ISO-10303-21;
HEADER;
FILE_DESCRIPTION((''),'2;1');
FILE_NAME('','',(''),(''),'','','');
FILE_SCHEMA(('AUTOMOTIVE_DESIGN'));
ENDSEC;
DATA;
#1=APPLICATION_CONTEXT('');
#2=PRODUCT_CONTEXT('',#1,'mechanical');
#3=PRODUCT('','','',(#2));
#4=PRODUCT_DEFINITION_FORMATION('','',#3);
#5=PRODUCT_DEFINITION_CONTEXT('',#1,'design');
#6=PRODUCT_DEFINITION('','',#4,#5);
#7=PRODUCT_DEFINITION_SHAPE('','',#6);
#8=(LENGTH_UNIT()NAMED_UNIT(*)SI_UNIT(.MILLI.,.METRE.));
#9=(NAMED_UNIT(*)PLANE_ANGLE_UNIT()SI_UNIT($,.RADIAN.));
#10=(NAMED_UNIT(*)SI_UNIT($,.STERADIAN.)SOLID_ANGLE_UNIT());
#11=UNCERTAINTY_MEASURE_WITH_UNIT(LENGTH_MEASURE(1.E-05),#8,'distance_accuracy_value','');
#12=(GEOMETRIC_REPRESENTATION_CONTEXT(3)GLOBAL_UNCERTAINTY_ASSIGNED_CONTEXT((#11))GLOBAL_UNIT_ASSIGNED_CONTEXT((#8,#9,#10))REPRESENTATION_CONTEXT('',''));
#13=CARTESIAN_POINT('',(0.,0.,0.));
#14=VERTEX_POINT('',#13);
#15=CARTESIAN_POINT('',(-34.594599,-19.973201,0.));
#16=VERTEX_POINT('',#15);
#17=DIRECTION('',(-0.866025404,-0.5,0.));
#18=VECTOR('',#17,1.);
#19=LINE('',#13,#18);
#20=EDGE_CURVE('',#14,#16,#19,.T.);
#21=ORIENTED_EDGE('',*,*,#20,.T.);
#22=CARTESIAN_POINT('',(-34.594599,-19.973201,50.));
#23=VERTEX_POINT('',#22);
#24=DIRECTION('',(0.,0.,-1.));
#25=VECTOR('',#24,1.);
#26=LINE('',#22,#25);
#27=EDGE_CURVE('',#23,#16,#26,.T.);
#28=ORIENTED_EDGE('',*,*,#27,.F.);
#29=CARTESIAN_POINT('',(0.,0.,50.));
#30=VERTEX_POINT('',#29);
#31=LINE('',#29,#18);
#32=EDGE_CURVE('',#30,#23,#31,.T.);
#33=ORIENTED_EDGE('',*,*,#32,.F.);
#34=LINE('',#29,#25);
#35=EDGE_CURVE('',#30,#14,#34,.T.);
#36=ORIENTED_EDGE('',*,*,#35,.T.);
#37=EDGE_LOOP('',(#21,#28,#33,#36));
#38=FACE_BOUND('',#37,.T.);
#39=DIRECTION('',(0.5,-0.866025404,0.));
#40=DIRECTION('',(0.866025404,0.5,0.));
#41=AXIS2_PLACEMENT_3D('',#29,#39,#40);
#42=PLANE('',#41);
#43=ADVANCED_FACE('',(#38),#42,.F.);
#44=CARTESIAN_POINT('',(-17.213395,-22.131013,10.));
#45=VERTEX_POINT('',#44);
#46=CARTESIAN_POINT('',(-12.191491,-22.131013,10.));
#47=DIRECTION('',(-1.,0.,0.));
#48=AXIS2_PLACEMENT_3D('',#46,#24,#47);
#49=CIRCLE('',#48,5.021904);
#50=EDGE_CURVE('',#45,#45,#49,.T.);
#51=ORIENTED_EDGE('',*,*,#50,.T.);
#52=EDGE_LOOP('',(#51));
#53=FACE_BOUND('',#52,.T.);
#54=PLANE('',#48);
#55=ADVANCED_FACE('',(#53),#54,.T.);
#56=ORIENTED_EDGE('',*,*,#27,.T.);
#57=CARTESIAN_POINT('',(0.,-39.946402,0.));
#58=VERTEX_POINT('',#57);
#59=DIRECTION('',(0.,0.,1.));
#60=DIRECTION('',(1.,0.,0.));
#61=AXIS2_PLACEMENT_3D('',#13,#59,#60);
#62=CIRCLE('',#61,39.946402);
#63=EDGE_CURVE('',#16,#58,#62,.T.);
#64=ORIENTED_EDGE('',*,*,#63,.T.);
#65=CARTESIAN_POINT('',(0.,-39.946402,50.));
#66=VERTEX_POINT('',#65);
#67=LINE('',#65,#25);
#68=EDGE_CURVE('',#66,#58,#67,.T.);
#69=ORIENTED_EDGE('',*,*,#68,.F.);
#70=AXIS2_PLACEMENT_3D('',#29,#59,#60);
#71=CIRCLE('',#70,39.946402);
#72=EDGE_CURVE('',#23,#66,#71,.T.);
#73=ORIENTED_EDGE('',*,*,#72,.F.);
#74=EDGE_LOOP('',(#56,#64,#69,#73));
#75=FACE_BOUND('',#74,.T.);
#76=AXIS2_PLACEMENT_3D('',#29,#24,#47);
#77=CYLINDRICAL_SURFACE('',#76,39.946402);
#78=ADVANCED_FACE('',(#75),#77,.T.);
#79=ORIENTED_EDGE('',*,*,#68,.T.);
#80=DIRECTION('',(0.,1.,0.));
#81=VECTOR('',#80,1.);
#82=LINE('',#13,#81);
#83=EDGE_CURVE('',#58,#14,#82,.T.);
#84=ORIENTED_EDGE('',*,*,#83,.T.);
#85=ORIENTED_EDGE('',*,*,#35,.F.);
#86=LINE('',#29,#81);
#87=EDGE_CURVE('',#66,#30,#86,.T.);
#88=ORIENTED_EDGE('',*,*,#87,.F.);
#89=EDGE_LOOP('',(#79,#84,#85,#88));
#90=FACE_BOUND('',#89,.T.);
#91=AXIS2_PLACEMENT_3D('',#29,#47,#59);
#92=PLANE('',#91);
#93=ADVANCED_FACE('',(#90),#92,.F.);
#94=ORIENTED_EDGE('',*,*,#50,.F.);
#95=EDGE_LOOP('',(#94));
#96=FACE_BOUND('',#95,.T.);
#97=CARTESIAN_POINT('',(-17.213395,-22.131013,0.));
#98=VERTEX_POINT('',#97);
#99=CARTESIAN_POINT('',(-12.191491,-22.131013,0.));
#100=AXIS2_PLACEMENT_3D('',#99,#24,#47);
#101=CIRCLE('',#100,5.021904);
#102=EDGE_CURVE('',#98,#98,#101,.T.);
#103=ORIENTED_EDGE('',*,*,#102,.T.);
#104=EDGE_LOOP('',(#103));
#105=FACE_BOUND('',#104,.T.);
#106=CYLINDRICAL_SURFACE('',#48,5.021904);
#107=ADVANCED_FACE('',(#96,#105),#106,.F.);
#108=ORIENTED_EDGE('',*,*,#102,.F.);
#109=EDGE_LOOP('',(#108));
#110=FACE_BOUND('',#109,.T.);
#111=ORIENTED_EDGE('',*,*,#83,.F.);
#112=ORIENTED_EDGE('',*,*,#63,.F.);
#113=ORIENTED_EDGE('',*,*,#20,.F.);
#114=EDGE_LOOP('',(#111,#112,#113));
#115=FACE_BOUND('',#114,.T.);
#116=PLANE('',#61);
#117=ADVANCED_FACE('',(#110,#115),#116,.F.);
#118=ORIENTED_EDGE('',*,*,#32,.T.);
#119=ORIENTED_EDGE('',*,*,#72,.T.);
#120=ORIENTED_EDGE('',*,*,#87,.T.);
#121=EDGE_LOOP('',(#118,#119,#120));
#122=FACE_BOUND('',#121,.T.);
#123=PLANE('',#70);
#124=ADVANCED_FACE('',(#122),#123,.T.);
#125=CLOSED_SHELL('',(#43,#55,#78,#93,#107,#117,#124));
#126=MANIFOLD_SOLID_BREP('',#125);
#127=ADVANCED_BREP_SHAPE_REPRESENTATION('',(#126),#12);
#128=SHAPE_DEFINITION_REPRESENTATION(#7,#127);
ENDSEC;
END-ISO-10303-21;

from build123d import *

# Parameters (mm, degrees)
SALIENTE_EXTRUIR1_DEPTH = 50
CROQUIS2_R              = 5.021904159
CORTAR_EXTRUIR1_DEPTH   = 10


with BuildPart() as part:
    # Croquis1 → Saliente-Extruir1 (new body)
    with BuildSketch(Plane.XY):
        with BuildLine():
            Line((0, 0), (0, -39.94640218))
            ThreePointArc((0, -39.94640218), (-19.97320109, -34.594599078), (-34.594599078, -19.97320109))
            Line((-34.594599078, -19.97320109), (0, 0))
        make_face()
    extrude(amount=SALIENTE_EXTRUIR1_DEPTH)

    # Croquis2 → Cortar-Extruir1 (cut)
    with BuildSketch(Plane(origin=(0, 0, 0), x_dir=(-1, 0, 0), z_dir=(0, 0, -1))):
        with Locations((12.191490543, -22.131013225)):
            Circle(CROQUIS2_R)
    extrude(amount=-CORTAR_EXTRUIR1_DEPTH, mode=Mode.SUBTRACT)


solid = part.part
